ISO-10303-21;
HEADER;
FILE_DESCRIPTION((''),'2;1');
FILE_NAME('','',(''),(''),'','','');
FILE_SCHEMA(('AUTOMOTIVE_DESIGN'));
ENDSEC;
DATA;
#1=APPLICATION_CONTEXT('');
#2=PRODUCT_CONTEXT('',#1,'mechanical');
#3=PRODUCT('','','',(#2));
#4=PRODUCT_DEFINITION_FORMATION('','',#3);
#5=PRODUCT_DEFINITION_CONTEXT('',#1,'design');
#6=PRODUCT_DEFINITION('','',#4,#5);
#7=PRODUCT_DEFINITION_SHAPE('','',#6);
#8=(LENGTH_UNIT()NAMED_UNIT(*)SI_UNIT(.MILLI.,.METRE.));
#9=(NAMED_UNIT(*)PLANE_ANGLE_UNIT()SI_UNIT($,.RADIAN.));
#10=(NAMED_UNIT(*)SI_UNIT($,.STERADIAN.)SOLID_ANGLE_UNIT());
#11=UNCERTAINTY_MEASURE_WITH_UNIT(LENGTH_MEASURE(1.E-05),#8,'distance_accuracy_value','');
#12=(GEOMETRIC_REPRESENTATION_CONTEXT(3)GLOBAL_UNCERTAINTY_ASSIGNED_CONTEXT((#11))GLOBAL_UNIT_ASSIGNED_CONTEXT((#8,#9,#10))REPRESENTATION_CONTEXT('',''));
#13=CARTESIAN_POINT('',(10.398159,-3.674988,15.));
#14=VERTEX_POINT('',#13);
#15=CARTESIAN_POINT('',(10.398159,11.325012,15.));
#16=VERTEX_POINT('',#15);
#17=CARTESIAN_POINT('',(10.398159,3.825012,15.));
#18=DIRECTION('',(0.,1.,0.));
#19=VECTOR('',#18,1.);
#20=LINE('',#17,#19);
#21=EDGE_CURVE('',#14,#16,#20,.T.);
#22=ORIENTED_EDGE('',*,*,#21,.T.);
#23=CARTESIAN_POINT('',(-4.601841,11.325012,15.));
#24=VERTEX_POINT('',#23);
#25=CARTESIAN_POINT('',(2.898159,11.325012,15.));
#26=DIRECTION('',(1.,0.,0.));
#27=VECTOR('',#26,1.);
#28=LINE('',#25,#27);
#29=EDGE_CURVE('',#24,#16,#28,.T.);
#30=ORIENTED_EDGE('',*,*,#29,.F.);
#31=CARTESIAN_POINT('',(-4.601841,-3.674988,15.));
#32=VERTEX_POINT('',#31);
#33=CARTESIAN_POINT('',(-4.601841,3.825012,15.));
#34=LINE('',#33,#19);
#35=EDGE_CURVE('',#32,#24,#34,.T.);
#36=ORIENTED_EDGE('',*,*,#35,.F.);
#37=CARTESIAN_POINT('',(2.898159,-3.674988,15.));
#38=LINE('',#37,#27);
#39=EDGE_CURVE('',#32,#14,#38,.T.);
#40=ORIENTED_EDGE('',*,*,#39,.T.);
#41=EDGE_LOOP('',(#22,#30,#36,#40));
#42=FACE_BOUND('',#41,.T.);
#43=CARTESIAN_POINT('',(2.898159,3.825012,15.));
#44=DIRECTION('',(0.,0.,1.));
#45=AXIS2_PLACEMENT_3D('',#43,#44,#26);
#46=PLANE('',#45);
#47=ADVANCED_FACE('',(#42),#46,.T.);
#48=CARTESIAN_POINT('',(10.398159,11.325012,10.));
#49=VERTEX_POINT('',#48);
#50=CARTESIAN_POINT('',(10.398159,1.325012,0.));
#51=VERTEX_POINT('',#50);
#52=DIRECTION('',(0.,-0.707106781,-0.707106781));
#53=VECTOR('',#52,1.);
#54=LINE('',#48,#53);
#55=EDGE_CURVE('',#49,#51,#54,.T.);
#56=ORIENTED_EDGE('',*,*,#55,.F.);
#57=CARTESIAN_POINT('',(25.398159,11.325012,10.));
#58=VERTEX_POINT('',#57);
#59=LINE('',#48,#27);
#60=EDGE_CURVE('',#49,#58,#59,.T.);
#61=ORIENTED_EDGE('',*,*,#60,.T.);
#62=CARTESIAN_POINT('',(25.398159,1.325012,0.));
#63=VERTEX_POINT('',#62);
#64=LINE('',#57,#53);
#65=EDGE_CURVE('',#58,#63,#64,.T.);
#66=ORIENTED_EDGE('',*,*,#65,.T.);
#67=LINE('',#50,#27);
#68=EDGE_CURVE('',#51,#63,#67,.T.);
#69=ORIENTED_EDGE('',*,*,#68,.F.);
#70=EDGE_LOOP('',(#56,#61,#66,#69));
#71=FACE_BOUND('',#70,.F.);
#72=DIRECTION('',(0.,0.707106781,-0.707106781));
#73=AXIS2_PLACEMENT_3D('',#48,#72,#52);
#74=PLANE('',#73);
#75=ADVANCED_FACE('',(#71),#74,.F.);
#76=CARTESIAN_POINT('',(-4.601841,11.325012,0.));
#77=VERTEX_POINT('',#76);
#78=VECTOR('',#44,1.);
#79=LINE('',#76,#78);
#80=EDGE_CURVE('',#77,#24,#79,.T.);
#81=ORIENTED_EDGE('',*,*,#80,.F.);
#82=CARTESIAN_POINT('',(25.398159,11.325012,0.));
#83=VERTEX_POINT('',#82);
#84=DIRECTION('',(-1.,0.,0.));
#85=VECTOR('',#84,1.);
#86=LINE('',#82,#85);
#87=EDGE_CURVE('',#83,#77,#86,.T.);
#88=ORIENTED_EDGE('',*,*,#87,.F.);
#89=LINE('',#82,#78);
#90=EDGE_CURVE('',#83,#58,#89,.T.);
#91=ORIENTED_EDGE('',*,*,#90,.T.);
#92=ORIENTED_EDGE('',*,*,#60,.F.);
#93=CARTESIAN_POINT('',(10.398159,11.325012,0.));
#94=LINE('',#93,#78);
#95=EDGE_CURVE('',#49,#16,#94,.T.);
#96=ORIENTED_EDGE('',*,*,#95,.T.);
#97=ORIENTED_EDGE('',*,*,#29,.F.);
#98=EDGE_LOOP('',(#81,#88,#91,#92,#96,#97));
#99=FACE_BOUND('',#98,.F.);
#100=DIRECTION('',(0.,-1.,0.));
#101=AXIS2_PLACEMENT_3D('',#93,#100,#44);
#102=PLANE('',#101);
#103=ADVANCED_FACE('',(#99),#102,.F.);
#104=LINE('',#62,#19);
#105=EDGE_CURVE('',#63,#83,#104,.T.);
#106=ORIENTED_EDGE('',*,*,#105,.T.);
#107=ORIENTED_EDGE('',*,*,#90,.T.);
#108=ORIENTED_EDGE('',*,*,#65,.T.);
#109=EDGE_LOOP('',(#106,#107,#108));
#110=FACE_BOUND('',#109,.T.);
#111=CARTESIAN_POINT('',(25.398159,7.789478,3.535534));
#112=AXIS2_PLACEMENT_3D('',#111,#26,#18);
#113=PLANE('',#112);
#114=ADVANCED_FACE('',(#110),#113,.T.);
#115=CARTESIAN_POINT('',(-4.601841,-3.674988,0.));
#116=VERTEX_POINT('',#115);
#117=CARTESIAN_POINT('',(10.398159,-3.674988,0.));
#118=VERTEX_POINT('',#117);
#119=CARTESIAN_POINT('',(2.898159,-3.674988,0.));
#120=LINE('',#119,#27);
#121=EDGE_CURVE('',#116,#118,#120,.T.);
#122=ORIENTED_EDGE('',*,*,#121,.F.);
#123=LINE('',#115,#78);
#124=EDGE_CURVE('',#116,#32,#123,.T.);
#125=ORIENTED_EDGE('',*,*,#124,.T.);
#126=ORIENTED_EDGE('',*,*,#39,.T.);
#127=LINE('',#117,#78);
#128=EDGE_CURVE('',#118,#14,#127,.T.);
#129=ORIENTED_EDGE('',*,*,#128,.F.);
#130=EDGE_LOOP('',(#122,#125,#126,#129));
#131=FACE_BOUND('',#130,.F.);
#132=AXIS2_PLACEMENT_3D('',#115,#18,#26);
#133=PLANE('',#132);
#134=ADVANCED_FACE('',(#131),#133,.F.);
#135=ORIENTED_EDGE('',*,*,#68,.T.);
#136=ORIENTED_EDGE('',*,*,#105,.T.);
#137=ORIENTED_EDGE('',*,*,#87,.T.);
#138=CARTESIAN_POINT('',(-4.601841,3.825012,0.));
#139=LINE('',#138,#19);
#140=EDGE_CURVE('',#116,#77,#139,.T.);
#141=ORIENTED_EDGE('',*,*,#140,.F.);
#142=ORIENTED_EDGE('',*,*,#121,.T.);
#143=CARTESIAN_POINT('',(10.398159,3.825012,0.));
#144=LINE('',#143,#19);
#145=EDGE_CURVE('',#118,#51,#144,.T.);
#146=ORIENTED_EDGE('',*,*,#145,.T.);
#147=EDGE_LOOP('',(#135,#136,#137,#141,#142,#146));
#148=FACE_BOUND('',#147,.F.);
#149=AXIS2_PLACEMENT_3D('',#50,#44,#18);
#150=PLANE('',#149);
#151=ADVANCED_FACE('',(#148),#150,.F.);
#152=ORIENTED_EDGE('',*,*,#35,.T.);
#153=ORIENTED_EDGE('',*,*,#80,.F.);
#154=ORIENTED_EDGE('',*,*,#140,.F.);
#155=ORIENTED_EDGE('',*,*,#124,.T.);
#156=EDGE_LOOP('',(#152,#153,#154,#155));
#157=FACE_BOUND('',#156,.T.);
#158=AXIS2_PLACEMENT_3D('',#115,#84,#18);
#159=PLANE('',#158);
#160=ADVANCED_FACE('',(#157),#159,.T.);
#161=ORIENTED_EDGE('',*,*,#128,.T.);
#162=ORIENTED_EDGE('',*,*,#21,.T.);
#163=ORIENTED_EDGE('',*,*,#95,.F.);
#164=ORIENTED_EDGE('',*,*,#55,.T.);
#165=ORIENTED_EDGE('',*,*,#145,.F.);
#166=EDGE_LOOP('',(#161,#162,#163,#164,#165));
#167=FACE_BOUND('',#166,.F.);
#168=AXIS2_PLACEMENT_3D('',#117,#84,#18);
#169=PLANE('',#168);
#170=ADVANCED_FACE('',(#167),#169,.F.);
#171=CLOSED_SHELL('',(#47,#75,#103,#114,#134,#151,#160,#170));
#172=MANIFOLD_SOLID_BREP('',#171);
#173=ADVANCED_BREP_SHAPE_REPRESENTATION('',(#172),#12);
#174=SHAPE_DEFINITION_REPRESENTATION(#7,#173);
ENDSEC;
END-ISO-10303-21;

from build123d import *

# Parameters (mm, degrees)
F0_W     = 15
F0_H     = 15
F1_DEPTH = 15
F3_DEPTH = 15


with BuildPart() as f1:
    # F0 (on Top) → F1 (new body)
    with BuildSketch(Plane.XY):
        with Locations((2.898159, 3.825012)):
            Rectangle(F0_W, F0_H)
    extrude(amount=F1_DEPTH)

    # F2 (on face) → F3 (join)
    with BuildSketch(Plane.YZ.offset(10.398159)):
        Polygon((11.325012, 10), (1.325012, 0), (11.325012, 0), align=None)
    extrude(amount=F3_DEPTH)


solid = f1.part
